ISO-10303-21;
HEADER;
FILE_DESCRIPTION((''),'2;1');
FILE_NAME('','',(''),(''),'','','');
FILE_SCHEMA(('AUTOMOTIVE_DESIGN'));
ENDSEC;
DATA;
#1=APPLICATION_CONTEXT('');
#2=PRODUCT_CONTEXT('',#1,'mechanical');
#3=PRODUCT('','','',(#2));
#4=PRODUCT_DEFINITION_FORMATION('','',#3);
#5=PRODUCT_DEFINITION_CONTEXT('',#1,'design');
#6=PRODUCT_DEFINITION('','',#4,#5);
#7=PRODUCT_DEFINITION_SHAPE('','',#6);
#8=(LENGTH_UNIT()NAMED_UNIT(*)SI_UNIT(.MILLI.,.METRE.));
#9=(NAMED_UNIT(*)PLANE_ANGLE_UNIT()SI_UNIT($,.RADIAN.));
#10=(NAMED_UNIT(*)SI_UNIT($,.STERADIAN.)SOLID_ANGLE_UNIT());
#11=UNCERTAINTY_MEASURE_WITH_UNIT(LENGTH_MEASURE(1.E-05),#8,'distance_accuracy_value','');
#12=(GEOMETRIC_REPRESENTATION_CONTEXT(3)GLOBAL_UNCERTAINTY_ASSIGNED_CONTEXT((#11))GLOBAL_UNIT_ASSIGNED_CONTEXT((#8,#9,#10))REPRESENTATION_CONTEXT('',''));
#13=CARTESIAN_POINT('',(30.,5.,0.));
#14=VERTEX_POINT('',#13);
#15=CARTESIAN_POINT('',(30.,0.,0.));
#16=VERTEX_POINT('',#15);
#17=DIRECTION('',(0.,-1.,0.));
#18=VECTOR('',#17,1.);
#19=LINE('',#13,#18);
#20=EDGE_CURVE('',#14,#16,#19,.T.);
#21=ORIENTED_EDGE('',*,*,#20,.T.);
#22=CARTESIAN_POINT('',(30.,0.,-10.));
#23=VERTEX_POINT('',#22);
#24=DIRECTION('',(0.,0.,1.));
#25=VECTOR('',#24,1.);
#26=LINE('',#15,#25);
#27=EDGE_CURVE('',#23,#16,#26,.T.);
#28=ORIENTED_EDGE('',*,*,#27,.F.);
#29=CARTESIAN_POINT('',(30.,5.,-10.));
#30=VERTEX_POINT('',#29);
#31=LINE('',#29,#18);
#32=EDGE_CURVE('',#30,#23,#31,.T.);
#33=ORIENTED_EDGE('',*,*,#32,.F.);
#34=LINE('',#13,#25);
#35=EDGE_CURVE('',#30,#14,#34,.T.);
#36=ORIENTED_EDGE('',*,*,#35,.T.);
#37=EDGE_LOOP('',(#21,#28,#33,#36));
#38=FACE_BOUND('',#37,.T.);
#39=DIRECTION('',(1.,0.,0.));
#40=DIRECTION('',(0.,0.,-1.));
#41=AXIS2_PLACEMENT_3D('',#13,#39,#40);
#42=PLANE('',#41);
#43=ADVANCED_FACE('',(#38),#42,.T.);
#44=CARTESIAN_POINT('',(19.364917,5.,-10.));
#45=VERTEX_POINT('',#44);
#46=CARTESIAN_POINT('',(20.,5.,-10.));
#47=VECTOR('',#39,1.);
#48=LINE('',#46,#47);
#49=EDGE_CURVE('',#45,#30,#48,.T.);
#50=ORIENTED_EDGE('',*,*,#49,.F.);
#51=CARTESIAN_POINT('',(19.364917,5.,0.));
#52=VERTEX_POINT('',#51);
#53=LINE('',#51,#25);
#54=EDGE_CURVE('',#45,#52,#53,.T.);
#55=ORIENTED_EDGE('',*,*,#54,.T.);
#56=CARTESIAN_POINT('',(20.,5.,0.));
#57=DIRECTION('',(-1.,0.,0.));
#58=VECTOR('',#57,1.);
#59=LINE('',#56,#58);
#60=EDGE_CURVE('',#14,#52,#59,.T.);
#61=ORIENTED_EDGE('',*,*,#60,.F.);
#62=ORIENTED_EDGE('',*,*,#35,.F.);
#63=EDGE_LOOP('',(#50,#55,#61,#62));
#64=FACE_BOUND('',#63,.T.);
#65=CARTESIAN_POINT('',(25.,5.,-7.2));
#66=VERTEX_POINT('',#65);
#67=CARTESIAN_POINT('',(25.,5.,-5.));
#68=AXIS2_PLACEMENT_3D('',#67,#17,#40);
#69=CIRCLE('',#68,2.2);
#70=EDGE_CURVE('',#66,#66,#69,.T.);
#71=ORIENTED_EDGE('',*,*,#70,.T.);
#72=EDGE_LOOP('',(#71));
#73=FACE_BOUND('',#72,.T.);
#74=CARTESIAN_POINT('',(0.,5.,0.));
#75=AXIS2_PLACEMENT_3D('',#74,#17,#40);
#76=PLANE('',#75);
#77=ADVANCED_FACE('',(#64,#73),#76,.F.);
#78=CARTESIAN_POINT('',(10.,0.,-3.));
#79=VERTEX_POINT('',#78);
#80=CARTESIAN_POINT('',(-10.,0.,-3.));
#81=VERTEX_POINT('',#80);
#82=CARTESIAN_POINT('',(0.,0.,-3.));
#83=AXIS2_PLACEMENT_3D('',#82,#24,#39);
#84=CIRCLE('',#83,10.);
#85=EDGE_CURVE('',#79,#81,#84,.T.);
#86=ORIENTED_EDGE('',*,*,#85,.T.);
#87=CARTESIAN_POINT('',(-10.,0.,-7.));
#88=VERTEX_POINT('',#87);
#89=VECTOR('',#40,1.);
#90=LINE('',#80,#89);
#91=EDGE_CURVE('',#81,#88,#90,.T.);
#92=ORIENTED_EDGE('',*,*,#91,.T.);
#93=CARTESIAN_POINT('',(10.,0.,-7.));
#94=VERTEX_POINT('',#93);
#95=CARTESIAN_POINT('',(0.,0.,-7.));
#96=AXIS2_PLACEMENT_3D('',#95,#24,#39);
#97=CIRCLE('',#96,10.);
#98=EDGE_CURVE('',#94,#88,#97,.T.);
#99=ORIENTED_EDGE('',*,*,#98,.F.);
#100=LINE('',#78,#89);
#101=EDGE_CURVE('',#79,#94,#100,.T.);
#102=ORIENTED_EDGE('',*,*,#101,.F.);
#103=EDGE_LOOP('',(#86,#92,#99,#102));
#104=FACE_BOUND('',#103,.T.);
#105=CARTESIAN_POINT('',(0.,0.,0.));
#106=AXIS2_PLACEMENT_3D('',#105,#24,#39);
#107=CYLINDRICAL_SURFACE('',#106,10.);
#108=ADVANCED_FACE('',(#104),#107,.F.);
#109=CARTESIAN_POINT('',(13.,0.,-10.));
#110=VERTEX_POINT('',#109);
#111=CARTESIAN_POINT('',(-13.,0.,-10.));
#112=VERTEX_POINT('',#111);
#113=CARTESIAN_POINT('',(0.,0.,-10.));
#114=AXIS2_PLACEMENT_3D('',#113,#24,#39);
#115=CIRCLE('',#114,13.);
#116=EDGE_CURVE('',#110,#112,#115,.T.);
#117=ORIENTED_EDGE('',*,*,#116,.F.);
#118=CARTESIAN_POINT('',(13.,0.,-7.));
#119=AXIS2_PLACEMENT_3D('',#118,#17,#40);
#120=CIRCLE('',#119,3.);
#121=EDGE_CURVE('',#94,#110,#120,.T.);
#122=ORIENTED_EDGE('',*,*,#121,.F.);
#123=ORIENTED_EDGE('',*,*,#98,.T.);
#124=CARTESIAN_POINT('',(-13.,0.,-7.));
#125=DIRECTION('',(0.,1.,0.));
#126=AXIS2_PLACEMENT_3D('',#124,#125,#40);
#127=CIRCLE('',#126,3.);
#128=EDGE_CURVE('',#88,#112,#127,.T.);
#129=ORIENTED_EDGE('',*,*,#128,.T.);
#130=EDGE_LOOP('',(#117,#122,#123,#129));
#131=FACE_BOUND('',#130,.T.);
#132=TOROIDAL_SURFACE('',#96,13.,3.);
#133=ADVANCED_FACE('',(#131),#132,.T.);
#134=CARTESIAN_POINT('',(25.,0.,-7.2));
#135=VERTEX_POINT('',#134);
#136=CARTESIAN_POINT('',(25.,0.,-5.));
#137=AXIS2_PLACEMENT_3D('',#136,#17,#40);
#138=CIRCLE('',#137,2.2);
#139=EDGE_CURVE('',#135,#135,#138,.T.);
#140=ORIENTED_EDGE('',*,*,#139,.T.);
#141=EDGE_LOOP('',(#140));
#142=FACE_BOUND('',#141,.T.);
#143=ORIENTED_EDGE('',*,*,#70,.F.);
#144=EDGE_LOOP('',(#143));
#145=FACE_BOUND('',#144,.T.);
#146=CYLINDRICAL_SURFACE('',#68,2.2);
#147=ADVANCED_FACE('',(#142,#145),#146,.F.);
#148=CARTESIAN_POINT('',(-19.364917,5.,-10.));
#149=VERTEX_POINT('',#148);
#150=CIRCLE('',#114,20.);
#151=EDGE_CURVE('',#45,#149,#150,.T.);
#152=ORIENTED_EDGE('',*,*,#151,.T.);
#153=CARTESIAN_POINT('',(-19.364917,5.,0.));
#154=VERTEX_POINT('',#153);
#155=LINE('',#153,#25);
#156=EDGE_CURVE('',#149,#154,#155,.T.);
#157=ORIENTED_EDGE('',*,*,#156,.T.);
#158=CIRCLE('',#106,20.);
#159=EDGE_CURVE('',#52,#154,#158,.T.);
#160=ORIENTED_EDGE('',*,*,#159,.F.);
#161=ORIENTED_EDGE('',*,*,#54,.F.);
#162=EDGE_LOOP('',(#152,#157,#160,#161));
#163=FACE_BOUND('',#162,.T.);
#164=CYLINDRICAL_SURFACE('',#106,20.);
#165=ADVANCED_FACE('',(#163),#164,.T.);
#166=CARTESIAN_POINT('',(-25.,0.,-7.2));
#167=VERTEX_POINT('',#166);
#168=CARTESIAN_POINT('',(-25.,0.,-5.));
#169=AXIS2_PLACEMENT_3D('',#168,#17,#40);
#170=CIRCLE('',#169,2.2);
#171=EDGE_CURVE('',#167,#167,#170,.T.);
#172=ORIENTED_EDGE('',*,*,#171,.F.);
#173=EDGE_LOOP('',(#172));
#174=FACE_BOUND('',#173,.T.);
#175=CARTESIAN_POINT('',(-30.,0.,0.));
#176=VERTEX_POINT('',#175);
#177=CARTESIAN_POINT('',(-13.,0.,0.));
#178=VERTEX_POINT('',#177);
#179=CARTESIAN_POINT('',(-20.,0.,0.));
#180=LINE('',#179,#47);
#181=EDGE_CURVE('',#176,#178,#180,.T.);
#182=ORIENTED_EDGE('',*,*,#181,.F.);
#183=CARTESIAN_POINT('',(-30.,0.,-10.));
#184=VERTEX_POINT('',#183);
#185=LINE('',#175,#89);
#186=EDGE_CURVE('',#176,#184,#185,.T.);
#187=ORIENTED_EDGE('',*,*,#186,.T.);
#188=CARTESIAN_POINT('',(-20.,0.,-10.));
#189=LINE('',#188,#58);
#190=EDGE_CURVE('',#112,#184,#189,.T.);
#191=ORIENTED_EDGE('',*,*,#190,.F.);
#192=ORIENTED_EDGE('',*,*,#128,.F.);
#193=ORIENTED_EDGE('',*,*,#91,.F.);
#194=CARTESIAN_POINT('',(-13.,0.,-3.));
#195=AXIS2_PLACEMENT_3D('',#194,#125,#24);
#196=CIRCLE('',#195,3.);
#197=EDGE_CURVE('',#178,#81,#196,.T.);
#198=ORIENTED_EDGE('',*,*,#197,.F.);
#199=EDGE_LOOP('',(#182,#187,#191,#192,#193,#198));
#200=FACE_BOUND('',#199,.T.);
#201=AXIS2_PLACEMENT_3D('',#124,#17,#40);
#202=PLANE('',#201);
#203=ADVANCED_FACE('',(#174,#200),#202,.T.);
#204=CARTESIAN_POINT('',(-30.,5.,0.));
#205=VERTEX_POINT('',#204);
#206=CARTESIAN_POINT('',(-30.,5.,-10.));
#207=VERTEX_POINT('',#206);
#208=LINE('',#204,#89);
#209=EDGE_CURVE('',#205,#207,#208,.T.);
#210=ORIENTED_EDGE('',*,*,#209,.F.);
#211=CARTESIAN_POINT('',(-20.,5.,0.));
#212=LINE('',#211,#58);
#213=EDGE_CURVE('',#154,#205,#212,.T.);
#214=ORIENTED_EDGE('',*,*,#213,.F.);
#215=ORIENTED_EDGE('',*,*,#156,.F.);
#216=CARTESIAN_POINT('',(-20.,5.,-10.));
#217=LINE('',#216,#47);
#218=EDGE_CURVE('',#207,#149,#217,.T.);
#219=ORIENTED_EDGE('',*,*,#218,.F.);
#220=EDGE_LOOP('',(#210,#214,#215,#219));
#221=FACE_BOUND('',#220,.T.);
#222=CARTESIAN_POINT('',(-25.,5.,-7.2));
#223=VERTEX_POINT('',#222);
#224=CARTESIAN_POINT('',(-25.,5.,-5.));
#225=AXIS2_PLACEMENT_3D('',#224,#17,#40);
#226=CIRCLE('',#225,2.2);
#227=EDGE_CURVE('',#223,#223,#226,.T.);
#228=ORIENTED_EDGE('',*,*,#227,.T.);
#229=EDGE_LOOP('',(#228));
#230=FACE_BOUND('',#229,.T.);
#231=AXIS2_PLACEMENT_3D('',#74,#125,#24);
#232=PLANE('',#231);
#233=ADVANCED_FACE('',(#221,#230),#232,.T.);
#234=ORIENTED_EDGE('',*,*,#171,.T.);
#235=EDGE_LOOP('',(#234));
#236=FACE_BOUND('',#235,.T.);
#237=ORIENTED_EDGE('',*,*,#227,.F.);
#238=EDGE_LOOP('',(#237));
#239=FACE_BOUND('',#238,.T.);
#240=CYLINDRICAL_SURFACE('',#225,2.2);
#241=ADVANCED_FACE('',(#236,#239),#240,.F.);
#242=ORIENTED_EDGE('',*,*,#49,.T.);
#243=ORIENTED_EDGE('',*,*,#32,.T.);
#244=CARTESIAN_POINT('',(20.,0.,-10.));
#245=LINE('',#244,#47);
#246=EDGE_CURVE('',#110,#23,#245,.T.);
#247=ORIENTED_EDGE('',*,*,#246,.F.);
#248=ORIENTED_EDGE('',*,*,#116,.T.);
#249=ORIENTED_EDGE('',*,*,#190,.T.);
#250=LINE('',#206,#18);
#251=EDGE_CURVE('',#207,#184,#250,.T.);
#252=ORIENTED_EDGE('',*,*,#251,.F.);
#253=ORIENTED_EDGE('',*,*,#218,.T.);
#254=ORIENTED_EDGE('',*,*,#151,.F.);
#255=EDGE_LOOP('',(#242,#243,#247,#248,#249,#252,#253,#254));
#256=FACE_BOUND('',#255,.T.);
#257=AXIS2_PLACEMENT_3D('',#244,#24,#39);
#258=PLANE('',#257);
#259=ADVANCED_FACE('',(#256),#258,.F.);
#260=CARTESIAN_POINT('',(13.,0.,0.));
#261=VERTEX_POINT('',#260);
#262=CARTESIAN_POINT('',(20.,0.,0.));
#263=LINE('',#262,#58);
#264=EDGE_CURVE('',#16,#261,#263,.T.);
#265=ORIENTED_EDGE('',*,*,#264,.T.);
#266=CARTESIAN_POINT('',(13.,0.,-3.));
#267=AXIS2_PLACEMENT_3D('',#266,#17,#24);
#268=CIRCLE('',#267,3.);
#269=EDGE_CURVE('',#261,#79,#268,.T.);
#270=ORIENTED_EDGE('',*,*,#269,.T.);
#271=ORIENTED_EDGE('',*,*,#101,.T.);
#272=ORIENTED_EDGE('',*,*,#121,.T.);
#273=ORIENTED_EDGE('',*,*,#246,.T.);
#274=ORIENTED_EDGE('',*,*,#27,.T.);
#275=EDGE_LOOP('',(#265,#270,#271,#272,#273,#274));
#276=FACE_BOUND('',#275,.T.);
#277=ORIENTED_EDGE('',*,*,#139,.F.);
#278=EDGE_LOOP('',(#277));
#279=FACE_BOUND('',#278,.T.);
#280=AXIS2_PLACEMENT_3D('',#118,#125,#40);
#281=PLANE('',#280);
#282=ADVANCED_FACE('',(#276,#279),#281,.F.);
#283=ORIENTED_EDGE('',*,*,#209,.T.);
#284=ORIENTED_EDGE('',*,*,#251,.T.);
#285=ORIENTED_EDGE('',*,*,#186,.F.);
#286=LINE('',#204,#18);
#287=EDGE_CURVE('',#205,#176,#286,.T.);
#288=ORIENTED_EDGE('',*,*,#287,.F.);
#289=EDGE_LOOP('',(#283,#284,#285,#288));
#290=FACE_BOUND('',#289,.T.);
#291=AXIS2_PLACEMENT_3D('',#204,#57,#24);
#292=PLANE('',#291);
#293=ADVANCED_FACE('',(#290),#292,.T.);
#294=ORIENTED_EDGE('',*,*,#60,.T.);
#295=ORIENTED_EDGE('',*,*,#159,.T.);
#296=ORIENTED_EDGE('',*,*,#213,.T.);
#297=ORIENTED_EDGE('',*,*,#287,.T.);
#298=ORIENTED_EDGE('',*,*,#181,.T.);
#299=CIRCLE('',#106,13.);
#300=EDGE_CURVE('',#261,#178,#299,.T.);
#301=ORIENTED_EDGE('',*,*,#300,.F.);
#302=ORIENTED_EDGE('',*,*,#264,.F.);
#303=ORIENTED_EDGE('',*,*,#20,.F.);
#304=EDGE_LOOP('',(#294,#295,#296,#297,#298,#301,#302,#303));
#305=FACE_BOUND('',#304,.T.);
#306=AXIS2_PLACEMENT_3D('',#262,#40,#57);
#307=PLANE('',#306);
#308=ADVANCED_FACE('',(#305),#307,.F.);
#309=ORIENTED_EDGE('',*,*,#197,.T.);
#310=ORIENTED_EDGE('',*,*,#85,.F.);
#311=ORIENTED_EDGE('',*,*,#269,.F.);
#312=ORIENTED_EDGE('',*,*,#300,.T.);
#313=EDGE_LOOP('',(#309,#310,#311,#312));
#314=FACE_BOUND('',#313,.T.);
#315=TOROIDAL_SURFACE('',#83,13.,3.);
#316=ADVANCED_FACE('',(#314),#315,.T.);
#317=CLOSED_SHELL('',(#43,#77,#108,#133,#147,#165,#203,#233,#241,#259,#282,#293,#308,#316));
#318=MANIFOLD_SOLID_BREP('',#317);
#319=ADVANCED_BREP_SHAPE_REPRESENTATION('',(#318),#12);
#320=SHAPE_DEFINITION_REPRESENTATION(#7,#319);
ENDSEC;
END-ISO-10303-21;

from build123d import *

# Parameters (mm, degrees)
REVOLVE1_ANGLE      = 180
SKETCH2_R           = 2.2
BOSS_EXTRUDE1_DEPTH = 5


with BuildPart() as part:
    # Sketch1 → Revolve1 (revolve)
    with BuildSketch(Plane(origin=(0, 0, 0), x_dir=(1, 0, 0), z_dir=(0, 1, 0))):
        with BuildLine():
            Line((-20, 0), (-13, 0))
            ThreePointArc((-13, 0), (-10.878679656, 0.878679656), (-10, 3))
            Line((-10, 3), (-10, 7))
            ThreePointArc((-10, 7), (-10.878679656, 9.121320344), (-13, 10))
            Line((-13, 10), (-20, 10))
            Line((-20, 10), (-20, 0))
        make_face()
    revolve(axis=Axis((0, 0, 0), (0, 0, -1)), revolution_arc=REVOLVE1_ANGLE)

    # Sketch2 → Boss-Extrude1 (add)
    # profile 1 of 2: a face of its own
    with BuildSketch(Plane.XZ):
        Polygon((-20, 0), (-30, 0), (-30, -10), (-20, -10), (-16.5, -10), (-16.5, 0), align=None)
        with Locations(Location((-25, -5, 0), (0, 0, 270))):
            Circle(SKETCH2_R, mode=Mode.SUBTRACT)
    # profile 2 of 2: a face of its own
    with BuildSketch(Plane.XZ):
        Polygon((20, 0), (30, 0), (30, -10), (20, -10), (16.5, -10), (16.5, 0), align=None)
        with Locations(Location((25, -5, 0), (0, 0, 270))):
            Circle(SKETCH2_R, mode=Mode.SUBTRACT)
    extrude(amount=-BOSS_EXTRUDE1_DEPTH)


solid = part.part
